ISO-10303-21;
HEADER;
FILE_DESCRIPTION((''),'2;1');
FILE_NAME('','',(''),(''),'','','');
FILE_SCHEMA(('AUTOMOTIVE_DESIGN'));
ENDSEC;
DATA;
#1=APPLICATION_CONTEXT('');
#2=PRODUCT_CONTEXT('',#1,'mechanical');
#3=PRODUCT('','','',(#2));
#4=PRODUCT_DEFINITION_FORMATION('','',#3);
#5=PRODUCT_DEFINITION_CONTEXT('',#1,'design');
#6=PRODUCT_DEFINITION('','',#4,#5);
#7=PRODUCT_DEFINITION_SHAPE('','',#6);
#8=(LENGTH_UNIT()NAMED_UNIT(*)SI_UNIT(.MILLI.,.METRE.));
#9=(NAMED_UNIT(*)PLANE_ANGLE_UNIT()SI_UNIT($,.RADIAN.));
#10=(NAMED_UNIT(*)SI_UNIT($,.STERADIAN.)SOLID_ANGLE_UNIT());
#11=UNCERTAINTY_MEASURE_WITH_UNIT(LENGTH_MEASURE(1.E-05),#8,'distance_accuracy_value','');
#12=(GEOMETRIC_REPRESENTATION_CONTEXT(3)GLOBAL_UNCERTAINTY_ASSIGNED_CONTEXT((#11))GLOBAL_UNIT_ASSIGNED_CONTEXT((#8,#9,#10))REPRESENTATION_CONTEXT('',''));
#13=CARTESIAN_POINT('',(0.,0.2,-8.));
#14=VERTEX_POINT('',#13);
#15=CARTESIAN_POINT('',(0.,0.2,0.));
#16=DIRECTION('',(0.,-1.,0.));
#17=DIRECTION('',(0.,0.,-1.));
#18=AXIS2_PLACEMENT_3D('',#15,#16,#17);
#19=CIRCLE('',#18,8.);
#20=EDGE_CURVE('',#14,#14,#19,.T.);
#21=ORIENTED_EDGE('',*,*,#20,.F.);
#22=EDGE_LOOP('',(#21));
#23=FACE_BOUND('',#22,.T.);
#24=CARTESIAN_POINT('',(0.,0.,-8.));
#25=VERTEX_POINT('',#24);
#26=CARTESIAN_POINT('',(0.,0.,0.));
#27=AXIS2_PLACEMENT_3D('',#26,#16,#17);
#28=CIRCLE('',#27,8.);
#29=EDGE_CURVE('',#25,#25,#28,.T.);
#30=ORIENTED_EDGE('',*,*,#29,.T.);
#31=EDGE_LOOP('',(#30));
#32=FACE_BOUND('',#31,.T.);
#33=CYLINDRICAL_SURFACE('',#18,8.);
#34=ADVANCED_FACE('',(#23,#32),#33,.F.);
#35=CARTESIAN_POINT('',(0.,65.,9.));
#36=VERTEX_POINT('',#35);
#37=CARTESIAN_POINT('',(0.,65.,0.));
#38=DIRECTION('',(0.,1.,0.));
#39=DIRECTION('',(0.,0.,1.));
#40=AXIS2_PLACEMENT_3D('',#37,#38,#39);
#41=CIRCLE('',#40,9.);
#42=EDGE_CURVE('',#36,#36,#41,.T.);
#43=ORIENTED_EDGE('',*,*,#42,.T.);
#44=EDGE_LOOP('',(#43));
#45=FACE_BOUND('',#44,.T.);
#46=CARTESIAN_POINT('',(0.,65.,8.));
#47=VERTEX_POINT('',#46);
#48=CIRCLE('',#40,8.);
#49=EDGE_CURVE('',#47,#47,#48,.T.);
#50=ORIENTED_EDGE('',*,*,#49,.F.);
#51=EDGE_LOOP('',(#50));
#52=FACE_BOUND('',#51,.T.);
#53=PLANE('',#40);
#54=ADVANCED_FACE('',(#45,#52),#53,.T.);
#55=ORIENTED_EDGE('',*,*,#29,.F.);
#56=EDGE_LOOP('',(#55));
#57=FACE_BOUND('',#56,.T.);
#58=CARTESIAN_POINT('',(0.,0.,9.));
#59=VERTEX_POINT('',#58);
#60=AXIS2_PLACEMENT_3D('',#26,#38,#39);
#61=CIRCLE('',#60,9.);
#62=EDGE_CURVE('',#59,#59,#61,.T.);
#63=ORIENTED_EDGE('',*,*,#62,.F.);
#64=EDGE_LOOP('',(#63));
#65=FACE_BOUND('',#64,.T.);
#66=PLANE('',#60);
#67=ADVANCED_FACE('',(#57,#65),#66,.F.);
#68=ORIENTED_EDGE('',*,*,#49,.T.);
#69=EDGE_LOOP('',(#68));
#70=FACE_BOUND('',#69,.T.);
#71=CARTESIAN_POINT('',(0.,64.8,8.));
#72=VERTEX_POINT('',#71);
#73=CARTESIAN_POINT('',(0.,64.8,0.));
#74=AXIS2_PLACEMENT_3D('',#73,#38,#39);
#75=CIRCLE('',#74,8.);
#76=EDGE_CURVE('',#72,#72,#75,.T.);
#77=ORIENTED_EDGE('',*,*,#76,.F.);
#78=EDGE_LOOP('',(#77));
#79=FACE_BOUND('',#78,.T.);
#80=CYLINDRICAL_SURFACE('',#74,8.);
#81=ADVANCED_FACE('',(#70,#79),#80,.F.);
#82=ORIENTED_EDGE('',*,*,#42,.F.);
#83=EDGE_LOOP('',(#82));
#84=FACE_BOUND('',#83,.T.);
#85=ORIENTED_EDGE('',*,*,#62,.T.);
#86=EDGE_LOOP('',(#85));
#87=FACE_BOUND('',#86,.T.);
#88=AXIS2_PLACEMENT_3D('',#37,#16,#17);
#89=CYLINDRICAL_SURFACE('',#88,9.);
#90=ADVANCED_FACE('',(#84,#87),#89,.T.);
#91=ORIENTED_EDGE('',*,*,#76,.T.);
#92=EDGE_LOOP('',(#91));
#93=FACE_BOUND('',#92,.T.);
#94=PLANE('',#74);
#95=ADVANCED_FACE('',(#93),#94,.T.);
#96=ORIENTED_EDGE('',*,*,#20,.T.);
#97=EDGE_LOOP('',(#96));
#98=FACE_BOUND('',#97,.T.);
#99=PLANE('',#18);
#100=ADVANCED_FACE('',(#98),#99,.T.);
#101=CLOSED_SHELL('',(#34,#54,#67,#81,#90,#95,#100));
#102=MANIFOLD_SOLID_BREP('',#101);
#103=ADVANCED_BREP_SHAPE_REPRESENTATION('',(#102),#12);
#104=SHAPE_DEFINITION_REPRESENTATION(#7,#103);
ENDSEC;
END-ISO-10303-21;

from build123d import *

# Parameters (mm, degrees)
SKETCH1_R           = 9
BOSS_EXTRUDE1_DEPTH = 65
SKETCH2_R           = 8
CUT_EXTRUDE1_DEPTH  = 0.2
SKETCH3_R           = 8
CUT_EXTRUDE2_DEPTH  = 0.2


with BuildPart() as part:
    # Sketch1 → Boss-Extrude1 (new body)
    with BuildSketch(Plane(origin=(0, 0, 0), x_dir=(1, 0, 0), z_dir=(0, 1, 0))):
        Circle(SKETCH1_R)
    extrude(amount=BOSS_EXTRUDE1_DEPTH)

    # Sketch2 → Cut-Extrude1 (cut)
    with BuildSketch(Plane(origin=(0, 65, 0), x_dir=(1, 0, 0), z_dir=(0, 1, 0))):
        Circle(SKETCH2_R)
    extrude(amount=-CUT_EXTRUDE1_DEPTH, mode=Mode.SUBTRACT)

    # Sketch3 → Cut-Extrude2 (cut)
    with BuildSketch(Plane.XZ):
        Circle(SKETCH3_R)
    extrude(amount=-CUT_EXTRUDE2_DEPTH, mode=Mode.SUBTRACT)


solid = part.part
